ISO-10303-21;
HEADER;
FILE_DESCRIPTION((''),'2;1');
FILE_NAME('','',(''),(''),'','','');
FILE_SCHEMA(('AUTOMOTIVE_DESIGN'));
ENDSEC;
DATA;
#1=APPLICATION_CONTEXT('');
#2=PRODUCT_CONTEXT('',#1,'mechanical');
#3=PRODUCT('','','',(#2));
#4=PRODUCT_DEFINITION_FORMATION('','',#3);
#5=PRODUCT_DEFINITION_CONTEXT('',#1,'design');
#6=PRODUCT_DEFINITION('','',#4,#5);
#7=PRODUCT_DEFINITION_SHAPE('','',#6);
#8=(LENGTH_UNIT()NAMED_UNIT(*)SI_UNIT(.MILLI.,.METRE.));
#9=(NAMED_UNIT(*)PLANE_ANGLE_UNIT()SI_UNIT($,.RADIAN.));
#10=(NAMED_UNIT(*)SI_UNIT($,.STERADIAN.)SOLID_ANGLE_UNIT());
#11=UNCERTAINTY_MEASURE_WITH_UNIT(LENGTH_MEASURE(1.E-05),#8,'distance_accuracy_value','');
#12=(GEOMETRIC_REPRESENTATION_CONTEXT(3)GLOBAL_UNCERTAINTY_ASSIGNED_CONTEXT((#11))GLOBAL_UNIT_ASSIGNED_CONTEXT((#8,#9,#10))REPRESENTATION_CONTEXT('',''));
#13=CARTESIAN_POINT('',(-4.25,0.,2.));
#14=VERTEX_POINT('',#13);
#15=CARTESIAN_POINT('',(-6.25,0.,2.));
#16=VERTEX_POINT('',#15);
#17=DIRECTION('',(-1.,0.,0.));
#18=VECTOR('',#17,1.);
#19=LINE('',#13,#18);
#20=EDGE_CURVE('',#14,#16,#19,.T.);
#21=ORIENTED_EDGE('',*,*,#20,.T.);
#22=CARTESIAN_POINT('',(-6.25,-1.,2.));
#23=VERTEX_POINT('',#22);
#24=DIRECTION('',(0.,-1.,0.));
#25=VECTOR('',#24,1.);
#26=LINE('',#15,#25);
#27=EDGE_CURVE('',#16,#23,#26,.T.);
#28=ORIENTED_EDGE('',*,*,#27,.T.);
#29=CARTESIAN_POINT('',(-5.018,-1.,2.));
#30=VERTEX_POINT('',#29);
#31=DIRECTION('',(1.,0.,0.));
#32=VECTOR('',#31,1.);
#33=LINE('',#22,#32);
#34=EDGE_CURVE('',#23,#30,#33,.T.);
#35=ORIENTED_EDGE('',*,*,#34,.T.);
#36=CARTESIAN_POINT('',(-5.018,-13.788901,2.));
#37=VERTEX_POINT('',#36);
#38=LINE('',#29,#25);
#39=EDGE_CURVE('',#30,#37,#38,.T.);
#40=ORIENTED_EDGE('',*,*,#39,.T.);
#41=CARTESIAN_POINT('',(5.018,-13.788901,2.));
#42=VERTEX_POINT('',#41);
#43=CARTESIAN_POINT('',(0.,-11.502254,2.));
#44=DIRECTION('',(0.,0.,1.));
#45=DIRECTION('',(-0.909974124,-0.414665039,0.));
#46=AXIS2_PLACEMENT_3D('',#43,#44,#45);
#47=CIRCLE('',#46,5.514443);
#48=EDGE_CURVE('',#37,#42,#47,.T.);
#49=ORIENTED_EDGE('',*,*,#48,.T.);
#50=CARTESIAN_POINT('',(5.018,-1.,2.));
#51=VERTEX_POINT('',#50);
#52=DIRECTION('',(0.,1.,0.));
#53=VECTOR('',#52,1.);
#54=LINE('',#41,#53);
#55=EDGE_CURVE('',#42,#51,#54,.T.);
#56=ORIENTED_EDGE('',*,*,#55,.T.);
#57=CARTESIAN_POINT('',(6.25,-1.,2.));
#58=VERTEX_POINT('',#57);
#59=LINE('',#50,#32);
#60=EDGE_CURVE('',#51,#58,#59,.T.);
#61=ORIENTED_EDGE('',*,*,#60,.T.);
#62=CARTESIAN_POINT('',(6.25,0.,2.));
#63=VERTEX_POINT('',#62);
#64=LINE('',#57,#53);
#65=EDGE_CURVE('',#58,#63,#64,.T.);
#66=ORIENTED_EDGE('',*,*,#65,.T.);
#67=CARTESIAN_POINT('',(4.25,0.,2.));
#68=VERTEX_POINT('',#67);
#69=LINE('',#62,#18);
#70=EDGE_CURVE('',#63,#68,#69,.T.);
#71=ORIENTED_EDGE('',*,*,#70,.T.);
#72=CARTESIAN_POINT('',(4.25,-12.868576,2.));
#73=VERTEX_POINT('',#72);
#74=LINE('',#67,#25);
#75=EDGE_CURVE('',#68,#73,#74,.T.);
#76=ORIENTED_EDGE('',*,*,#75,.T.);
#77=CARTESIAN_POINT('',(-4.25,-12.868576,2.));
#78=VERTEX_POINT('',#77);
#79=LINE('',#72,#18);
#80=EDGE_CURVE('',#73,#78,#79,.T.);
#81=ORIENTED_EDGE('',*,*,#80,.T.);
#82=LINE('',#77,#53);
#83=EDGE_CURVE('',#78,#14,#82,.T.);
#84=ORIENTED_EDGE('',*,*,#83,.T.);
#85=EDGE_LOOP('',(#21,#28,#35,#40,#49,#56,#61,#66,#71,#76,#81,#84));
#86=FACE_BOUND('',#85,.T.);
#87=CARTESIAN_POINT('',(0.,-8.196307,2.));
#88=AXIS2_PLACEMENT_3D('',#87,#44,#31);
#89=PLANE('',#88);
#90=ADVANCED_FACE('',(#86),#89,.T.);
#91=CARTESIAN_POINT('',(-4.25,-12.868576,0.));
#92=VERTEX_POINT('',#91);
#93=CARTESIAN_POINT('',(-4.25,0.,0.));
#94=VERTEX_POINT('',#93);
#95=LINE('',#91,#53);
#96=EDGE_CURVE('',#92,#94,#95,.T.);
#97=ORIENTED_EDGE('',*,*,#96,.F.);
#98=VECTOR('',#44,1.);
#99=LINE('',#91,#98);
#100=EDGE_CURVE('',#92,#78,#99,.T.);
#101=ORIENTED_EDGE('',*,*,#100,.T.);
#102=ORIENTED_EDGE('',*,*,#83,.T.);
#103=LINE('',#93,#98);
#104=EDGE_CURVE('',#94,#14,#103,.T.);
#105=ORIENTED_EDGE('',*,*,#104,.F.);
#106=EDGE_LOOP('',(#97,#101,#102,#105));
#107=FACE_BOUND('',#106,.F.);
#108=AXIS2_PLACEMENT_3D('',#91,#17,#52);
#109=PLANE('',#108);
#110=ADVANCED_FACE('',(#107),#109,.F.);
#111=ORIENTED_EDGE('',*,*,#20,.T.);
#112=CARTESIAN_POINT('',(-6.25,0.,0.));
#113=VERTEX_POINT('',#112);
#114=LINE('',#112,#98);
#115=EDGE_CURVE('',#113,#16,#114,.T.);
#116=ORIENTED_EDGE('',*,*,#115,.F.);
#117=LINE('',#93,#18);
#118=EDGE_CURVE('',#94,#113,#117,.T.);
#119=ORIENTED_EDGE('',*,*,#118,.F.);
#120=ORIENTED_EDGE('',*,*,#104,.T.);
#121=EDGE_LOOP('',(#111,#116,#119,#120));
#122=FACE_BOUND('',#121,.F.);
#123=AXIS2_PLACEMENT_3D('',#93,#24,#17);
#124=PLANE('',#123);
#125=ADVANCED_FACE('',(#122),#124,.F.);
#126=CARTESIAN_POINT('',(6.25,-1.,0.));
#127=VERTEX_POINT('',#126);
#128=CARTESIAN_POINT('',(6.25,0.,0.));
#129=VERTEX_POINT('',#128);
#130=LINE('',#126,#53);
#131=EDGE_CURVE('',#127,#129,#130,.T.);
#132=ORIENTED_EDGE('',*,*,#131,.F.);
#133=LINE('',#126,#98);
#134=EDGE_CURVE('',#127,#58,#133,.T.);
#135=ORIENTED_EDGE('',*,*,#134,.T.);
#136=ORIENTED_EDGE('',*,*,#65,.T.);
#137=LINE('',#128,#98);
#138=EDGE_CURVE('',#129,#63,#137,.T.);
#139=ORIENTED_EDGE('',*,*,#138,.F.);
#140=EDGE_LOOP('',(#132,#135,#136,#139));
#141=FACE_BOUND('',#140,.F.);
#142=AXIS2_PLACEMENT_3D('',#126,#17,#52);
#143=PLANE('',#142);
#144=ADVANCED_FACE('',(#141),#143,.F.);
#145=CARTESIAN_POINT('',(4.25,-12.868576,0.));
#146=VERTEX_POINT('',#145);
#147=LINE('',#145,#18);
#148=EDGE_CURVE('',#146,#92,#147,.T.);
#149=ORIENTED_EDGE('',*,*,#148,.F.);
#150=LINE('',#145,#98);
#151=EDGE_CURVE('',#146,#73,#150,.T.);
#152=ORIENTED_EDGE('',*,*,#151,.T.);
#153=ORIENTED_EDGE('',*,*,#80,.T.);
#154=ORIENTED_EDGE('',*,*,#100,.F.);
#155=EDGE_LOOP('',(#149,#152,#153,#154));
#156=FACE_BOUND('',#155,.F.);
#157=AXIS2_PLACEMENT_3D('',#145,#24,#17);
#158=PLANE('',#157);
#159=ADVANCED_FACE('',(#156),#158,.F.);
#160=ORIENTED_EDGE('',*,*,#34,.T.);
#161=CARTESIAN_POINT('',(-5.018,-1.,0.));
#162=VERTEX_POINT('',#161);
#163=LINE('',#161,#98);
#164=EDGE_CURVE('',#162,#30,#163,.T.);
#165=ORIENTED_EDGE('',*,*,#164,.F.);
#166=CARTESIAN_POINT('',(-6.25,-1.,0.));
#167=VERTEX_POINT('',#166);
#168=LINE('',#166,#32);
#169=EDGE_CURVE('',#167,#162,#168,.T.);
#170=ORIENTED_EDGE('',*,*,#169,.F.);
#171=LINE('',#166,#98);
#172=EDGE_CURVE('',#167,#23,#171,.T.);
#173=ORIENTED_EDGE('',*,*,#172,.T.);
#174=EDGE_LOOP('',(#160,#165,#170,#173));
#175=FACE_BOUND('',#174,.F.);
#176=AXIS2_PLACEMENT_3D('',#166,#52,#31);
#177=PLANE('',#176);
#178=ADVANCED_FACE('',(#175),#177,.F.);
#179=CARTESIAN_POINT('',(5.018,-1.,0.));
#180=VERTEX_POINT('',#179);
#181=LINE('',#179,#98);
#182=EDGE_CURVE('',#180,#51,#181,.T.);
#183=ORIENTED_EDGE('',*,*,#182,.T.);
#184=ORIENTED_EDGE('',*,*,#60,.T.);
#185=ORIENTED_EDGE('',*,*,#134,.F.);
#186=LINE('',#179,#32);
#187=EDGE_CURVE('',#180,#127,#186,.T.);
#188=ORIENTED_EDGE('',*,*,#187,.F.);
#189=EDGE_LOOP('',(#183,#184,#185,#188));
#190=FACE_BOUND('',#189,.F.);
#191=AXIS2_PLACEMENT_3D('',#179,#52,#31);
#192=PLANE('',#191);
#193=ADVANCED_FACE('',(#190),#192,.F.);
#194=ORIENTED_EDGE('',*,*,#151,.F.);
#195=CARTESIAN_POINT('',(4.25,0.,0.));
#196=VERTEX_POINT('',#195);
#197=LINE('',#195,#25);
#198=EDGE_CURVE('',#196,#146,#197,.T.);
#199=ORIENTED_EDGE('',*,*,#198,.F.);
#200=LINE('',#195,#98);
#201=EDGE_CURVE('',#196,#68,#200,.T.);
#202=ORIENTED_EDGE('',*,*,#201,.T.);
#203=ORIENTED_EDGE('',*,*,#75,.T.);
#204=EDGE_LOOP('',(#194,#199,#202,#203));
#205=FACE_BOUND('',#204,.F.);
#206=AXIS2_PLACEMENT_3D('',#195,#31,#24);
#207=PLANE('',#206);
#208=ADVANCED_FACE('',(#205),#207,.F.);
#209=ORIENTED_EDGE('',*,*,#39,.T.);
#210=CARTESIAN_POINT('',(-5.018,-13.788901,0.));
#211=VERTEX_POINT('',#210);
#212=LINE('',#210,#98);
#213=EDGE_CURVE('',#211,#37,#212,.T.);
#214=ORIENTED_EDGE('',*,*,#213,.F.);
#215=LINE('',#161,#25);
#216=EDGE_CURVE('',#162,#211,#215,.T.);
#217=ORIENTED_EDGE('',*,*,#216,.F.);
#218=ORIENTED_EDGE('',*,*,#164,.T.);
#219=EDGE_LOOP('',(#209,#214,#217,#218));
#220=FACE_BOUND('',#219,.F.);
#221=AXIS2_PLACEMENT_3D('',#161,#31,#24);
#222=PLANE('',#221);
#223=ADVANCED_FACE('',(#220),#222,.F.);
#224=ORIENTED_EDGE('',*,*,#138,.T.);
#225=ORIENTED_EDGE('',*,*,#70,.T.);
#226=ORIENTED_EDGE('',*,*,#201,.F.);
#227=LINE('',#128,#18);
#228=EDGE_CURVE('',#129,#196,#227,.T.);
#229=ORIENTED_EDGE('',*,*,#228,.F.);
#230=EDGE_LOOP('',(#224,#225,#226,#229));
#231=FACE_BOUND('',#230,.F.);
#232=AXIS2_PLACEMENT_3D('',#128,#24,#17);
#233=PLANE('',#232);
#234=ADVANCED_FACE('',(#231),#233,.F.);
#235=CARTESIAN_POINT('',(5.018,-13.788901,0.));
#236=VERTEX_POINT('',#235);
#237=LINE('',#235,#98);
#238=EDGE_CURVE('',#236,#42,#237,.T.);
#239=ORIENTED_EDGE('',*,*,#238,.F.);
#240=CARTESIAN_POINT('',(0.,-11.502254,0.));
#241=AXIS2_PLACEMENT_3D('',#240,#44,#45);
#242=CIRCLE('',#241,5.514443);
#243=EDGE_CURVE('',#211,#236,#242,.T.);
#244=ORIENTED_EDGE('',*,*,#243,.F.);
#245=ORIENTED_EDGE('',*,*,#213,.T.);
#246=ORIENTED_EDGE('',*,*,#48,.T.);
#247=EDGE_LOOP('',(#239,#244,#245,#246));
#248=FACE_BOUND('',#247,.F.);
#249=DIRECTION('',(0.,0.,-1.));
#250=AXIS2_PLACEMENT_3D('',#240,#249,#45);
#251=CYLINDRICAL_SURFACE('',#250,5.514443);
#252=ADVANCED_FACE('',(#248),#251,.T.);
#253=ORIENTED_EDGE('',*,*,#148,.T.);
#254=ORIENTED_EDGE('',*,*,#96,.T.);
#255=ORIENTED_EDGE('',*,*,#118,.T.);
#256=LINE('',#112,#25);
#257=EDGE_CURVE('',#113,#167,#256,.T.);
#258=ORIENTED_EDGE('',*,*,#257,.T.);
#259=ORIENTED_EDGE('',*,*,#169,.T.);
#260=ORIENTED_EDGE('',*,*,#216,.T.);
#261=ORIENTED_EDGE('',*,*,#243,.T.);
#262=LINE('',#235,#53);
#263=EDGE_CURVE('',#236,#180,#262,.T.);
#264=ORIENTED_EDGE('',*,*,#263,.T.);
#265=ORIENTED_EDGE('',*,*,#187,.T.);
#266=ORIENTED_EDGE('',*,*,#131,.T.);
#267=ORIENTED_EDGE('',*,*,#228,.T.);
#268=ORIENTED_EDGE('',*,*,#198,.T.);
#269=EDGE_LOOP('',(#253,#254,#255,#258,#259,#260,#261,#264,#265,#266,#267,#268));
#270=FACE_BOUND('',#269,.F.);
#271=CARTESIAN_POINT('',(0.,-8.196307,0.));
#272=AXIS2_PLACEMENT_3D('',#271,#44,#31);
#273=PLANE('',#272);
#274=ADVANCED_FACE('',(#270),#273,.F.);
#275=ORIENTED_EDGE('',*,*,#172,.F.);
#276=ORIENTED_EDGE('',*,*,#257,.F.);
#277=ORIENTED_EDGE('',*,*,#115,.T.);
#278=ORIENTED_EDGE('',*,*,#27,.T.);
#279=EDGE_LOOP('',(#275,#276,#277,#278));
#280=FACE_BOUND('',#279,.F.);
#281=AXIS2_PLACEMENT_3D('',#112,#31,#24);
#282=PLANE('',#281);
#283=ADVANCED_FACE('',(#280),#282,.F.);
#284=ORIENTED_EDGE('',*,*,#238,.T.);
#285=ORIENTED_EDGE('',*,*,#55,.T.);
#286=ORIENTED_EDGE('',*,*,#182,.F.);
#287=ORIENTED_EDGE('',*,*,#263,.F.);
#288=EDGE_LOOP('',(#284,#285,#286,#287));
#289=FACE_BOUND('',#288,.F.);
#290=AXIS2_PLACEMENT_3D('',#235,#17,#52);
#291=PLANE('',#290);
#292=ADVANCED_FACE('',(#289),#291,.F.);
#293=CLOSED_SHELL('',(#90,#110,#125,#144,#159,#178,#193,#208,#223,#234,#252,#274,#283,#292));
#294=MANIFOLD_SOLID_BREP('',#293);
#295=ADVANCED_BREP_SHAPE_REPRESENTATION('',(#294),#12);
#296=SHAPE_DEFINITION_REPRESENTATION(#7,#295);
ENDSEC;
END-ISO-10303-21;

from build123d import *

# Parameters (mm, degrees)
F1_DEPTH = 2


with BuildPart() as f1:
    # F0 (on Top) → F1 (new body)
    with BuildSketch(Plane.XY):
        with BuildLine():
            Line((-4.25, -12.868576), (-4.25, 0))
            Line((-4.25, 0), (-6.25, 0))
            Line((-6.25, 0), (-6.25, -1))
            Line((-6.25, -1), (-5.018, -1))
            Line((-5.018, -1), (-5.018, -13.788901))
            ThreePointArc((-5.018, -13.788901), (0, -17.016697), (5.018, -13.788901))
            Line((5.018, -13.788901), (5.018, -1))
            Line((5.018, -1), (6.25, -1))
            Line((6.25, -1), (6.25, 0))
            Line((6.25, 0), (4.25, 0))
            Line((4.25, 0), (4.25, -12.868576))
            Line((4.25, -12.868576), (-4.25, -12.868576))
        make_face()
    extrude(amount=F1_DEPTH)


solid = f1.part
